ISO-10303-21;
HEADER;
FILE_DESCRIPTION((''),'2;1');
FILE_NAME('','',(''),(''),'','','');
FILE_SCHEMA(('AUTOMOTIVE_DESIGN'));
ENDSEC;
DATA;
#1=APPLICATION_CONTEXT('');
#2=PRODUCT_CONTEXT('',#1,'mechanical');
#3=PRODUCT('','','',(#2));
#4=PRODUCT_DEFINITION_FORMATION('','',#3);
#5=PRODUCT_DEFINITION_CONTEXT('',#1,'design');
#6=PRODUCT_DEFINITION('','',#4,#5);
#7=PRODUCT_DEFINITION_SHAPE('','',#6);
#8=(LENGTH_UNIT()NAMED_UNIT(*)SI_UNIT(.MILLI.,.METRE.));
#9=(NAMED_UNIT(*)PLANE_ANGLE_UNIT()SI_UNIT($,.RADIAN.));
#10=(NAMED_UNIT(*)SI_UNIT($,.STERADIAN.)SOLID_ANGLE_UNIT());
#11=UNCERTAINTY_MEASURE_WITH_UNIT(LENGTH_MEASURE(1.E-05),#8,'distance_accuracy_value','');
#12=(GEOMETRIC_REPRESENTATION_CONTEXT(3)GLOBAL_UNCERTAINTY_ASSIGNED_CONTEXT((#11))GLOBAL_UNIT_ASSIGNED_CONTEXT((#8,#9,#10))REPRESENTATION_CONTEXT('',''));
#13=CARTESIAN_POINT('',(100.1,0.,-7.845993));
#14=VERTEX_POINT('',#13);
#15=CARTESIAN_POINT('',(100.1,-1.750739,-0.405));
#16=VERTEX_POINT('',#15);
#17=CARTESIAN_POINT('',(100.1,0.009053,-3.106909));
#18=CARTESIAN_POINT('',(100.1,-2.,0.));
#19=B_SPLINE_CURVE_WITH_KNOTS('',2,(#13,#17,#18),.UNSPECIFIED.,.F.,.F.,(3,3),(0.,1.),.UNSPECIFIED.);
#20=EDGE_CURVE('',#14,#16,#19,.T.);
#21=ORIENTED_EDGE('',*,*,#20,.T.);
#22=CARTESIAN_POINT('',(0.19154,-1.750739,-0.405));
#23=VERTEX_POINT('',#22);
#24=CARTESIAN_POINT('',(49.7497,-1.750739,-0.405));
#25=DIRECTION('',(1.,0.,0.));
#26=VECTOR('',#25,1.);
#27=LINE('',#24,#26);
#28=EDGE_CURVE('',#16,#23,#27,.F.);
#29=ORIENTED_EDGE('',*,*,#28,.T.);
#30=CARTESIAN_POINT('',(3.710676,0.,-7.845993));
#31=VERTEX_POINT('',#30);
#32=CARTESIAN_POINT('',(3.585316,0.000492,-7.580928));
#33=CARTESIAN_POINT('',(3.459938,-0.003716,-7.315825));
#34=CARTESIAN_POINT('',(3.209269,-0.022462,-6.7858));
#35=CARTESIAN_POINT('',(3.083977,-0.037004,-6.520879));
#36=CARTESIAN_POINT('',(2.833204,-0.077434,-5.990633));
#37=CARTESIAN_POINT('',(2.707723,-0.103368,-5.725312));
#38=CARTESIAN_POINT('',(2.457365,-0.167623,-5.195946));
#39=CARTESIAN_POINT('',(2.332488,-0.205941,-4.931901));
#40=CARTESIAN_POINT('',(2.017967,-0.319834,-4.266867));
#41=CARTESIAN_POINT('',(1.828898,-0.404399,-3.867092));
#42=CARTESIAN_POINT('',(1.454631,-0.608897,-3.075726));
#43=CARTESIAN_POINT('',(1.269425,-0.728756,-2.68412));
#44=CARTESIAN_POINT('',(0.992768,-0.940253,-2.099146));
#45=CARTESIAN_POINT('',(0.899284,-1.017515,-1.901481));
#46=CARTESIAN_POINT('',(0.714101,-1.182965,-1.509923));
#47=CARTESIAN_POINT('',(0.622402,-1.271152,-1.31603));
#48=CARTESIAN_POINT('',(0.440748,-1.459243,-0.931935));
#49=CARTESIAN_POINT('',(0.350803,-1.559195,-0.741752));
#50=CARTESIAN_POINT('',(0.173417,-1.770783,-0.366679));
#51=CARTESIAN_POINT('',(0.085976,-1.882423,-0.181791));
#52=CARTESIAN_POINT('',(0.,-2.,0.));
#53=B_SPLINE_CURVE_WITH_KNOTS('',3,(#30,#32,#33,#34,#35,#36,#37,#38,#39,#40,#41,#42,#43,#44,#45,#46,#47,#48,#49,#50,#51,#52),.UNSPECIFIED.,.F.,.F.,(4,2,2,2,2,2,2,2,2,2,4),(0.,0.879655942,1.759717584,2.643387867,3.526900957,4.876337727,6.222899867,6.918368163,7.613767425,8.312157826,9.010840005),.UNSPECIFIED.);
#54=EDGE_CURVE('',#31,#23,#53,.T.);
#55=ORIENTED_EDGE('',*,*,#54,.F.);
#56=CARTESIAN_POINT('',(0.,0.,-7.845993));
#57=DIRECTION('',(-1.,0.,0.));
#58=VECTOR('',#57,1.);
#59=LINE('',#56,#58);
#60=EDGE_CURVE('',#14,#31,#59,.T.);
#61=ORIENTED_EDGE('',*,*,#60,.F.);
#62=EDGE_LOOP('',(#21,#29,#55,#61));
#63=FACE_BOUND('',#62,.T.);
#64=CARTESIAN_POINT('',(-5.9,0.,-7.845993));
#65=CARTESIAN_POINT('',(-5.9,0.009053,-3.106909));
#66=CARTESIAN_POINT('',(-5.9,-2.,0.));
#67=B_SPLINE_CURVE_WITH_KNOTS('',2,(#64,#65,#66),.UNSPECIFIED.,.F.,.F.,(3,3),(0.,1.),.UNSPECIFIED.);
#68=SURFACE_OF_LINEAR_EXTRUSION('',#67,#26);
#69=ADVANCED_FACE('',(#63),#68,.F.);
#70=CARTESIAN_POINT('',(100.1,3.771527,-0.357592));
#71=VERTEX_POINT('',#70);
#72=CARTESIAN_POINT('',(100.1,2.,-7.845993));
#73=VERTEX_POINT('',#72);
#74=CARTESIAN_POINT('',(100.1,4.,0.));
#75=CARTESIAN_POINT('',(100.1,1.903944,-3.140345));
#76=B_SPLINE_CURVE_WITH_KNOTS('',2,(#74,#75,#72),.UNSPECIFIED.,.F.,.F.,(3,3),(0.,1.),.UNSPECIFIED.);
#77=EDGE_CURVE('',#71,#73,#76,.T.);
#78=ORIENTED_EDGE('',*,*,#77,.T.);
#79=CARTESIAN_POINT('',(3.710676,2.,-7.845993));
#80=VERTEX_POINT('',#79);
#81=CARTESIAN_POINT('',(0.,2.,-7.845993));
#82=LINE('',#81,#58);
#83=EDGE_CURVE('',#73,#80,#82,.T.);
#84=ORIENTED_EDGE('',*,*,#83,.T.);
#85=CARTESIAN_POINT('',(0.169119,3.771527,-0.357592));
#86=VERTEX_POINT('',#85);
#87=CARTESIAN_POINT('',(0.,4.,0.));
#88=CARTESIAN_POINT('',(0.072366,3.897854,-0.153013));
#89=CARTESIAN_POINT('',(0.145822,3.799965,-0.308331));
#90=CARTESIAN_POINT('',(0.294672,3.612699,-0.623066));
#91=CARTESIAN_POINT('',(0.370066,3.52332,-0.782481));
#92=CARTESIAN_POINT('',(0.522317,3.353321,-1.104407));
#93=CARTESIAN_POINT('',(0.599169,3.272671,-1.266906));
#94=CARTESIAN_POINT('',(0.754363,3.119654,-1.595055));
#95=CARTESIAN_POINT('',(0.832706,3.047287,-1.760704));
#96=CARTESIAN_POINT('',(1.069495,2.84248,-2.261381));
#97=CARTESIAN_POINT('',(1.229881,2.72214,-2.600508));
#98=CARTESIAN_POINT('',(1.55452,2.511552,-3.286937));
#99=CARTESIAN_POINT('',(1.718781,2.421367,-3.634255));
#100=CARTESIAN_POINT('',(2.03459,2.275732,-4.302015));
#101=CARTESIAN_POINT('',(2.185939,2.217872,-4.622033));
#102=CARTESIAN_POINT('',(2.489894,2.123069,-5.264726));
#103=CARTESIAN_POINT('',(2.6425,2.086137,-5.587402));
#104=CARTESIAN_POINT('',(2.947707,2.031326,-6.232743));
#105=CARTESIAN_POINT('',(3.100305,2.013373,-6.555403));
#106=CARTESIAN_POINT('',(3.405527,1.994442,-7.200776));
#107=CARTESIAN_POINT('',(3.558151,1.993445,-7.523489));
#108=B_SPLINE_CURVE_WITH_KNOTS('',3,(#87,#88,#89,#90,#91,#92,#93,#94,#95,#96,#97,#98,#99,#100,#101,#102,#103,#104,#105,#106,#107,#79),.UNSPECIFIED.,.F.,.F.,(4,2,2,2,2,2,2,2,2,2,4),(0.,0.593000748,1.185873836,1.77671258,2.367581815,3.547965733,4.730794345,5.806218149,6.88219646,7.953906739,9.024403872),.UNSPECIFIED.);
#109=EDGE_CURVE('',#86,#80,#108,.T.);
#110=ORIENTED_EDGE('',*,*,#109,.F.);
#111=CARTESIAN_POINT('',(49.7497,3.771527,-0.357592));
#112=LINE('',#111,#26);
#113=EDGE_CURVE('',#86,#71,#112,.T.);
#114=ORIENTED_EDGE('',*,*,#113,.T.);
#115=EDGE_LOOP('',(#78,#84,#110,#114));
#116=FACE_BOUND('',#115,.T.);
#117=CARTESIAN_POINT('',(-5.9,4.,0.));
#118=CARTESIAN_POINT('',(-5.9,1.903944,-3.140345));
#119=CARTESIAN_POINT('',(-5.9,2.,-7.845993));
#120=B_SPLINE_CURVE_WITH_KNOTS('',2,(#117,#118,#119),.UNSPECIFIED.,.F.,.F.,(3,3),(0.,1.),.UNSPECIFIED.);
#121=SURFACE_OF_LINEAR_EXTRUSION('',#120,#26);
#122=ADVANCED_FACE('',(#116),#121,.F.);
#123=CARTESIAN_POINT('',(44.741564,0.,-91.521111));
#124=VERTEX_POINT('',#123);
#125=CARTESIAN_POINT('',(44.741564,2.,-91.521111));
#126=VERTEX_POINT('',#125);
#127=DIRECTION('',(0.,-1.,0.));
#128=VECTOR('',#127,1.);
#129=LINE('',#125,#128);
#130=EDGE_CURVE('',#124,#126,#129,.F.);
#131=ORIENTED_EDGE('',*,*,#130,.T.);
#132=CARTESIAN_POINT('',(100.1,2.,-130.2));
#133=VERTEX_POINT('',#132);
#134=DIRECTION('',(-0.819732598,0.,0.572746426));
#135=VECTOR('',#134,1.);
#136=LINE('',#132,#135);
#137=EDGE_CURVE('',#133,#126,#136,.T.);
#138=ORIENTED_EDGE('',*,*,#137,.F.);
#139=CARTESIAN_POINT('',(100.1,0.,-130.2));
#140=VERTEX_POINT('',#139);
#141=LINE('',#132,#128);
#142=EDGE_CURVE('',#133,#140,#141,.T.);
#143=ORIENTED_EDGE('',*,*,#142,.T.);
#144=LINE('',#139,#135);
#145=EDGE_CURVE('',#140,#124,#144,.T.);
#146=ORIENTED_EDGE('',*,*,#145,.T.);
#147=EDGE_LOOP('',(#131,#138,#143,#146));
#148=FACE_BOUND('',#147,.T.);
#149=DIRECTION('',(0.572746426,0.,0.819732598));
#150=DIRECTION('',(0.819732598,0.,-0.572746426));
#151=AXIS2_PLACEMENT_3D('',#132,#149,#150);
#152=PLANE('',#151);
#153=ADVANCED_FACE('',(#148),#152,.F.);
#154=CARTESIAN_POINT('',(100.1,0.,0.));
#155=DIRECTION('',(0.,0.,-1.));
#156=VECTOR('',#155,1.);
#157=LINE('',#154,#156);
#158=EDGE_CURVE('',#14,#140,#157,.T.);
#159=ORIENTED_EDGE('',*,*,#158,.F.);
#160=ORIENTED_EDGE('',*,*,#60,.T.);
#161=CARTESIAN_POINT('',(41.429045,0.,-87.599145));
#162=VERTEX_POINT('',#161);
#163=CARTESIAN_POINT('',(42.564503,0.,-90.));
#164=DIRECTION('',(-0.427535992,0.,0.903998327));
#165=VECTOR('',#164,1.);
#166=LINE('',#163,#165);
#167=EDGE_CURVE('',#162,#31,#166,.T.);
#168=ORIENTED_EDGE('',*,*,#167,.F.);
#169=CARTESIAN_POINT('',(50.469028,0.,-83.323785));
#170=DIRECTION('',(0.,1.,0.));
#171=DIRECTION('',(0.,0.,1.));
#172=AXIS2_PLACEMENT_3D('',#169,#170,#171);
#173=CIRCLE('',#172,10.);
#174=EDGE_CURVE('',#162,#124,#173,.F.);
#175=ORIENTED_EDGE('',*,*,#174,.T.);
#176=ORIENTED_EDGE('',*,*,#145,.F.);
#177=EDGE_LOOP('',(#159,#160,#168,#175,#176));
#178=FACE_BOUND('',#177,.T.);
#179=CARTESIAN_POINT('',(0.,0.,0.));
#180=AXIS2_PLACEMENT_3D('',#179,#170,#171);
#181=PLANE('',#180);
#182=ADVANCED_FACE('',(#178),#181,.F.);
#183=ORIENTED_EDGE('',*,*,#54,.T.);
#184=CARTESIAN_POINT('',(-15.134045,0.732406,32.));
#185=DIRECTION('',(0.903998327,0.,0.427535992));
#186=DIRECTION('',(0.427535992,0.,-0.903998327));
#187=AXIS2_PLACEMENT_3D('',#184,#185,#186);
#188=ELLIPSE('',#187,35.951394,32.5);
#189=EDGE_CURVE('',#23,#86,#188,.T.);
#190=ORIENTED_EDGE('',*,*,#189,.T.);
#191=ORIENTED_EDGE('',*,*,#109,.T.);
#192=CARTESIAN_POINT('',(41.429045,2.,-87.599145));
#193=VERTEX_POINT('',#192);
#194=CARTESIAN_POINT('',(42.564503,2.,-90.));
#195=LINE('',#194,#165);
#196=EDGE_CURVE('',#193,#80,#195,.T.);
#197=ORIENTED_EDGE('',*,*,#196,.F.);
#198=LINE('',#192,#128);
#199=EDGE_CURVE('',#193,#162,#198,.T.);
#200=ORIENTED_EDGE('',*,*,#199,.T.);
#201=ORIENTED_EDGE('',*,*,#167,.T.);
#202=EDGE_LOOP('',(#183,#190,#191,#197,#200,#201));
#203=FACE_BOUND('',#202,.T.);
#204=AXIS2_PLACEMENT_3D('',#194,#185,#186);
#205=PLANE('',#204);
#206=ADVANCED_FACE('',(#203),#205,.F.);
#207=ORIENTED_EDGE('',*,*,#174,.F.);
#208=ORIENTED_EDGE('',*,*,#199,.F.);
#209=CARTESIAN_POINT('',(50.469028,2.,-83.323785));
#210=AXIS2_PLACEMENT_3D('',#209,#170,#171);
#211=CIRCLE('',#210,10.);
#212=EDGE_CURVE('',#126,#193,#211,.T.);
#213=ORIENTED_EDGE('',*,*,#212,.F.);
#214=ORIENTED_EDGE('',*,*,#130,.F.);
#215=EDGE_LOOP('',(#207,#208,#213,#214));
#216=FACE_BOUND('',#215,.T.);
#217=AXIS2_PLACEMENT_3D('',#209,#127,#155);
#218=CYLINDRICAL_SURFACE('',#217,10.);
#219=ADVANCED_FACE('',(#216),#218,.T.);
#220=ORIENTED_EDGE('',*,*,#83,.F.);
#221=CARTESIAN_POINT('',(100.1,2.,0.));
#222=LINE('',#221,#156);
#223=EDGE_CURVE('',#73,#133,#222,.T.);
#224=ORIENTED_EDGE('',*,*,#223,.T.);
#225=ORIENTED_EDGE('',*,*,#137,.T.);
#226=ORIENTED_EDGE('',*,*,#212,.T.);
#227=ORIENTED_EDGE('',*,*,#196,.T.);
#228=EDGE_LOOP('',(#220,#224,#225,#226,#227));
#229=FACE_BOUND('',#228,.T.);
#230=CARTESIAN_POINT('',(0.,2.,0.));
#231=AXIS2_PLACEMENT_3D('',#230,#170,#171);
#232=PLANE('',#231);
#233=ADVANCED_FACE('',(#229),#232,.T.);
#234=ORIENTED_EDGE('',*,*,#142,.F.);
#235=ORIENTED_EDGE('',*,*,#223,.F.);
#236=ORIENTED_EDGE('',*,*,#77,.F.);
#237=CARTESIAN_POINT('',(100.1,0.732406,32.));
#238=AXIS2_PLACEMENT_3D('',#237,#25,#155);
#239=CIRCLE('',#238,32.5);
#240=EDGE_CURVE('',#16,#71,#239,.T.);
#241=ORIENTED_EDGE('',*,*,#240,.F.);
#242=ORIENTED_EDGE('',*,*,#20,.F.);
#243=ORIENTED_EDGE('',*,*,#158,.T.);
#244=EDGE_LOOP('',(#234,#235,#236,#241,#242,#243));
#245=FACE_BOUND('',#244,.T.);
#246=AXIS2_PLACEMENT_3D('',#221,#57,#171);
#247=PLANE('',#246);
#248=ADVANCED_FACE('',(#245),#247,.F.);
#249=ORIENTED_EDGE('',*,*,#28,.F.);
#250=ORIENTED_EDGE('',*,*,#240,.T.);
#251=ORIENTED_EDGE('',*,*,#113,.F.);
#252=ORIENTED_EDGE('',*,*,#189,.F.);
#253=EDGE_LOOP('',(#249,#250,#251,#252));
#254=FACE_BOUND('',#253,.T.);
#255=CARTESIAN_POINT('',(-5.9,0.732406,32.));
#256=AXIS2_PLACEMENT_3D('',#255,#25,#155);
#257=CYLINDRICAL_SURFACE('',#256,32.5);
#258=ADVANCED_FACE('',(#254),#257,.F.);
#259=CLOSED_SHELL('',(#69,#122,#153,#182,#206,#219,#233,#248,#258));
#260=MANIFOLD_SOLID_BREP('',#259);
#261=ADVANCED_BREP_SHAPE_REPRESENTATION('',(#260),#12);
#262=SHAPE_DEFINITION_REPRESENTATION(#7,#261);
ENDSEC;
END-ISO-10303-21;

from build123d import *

# Parameters (mm, degrees)
RESSALTO_EXTRUS_O1_DEPTH      = 2
FILETE1_R                     = 10
RESSALTO_EXTRUS_O2_DEPTH      = 2
RESSALTO_EXTRUS_O2_DEPTH_BACK = 4
CORTE_EXTRUS_O1_DEPTH         = 106
ESBO_O5_R                     = 32.5
CORTE_EXTRUS_O2_DEPTH         = 106


with BuildPart() as part:
    # Esboço1 → Ressalto-extrusão1 (new body)
    with BuildSketch(Plane(origin=(0, 0, 0), x_dir=(1, 0, 0), z_dir=(0, 1, 0))):
        Polygon((0, 0), (100.1, 0), (100.1, 130.2), (42.5645027, 90), align=None)
    extrude(amount=RESSALTO_EXTRUS_O1_DEPTH)

    # Filete1
    filete1_edges = [part.edges().sort_by_distance(p)[0] for p in [
        (42.5645027, 1, -90),
    ]]
    fillet(filete1_edges, radius=FILETE1_R)

    # Esboço2 → Ressalto-extrusão2 (add, two sides: drawn at the far end of the back side and taken through both)
    with BuildSketch(Plane(origin=(0, 0, 0), x_dir=(-1, 0, 0), z_dir=(0, -1, 0)).offset(-RESSALTO_EXTRUS_O2_DEPTH_BACK)):
        Polygon((-100.1, 0), (-100.1, 7.845993173), (-3.710675529, 7.845993173), (0, 0), align=None)
    extrude(amount=RESSALTO_EXTRUS_O2_DEPTH + RESSALTO_EXTRUS_O2_DEPTH_BACK)

    # Esboço4 → Corte-extrusão1 (cut)
    with BuildSketch(Plane(origin=(100.1, 0, 0), x_dir=(0, 0, -1), z_dir=(1, 0, 0))):
        with BuildLine():
            Line((0, 4), (7.845993173, 4))
            Line((7.845993173, 4), (7.845993173, 2))
            add(Edge.make_bspline(
                [(7.845993173, 2), (3.140345255, 1.903943557), (0, 4)],
                knots=[0, 0, 0, 1, 1, 1], degree=2))
        make_face()
        with BuildLine():
            Line((7.845993173, 0), (7.845993173, -2))
            Line((7.845993173, -2), (0, -2))
            add(Edge.make_bspline(
                [(7.845993173, 0), (3.106908611, 0.009053077), (0, -2)],
                knots=[0, 0, 0, 1, 1, 1], degree=2))
        make_face()
    extrude(amount=-CORTE_EXTRUS_O1_DEPTH, mode=Mode.SUBTRACT)

    # Esboço5 → Corte-extrusão2 (cut)
    with BuildSketch(Plane(origin=(100.1, 0, 0), x_dir=(0, 0, -1), z_dir=(1, 0, 0))):
        with Locations((-32, 0.73240575)):
            Circle(ESBO_O5_R)
    extrude(amount=-CORTE_EXTRUS_O2_DEPTH, mode=Mode.SUBTRACT)


solid = part.part
